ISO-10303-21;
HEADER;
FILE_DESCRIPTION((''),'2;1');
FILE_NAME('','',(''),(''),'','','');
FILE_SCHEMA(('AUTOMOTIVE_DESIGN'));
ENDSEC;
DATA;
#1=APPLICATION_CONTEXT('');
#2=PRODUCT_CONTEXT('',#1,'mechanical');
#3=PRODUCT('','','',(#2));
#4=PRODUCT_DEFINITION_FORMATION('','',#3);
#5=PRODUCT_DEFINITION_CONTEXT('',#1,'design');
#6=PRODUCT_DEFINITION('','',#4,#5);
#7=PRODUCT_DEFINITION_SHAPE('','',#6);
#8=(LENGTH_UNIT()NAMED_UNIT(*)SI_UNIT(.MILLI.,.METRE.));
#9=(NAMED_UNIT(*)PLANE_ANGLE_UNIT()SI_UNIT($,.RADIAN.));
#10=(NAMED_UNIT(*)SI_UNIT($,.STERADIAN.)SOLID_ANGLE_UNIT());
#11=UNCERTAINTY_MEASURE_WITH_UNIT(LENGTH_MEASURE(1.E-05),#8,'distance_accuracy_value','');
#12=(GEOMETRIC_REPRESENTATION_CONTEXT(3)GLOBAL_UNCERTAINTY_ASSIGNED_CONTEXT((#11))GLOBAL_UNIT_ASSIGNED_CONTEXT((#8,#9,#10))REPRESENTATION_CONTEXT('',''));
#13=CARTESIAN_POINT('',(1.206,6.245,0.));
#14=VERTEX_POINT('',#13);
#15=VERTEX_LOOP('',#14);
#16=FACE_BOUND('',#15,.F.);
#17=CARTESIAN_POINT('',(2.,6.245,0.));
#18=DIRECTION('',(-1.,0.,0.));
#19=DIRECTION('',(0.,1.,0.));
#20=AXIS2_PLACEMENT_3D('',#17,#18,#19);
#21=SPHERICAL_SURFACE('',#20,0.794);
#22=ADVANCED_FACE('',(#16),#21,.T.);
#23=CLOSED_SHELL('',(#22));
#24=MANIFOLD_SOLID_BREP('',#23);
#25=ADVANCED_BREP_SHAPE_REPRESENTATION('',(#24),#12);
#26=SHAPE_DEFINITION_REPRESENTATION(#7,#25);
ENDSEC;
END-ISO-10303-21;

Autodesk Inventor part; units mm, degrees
ref_plane "YZ Plane" through (0, 0, 0) normal (1, 0, 0) x (0, 1, 0)
ref_plane "XZ Plane" through (0, 0, 0) normal (0, 1, 0) x (-1, 0, 0)
ref_plane "XY Plane" through (0, 0, 0) normal (0, 0, 1) x (1, 0, 0)
sketch "Sketch_6" plane through (0, 0, 0) normal (0, 0, 1) x (1, 0, 0)
  line L0 (2.794, 6.245) -> (1.206, 6.245)
  arc A0 (2.794, 6.245) -> (1.206, 6.245) centre (2, 6.245) ccw
  line L1 (2.794, 6.245) -> (1.206, 6.245)
  dimension "d0" = 360
revolve "Revolution1" add sketch "Sketch_6" angle 360 about axis through (2.794, 6.245, 0) along (1, 0, 0)
properties part number "W 61700 X-2RS1_PART3"
